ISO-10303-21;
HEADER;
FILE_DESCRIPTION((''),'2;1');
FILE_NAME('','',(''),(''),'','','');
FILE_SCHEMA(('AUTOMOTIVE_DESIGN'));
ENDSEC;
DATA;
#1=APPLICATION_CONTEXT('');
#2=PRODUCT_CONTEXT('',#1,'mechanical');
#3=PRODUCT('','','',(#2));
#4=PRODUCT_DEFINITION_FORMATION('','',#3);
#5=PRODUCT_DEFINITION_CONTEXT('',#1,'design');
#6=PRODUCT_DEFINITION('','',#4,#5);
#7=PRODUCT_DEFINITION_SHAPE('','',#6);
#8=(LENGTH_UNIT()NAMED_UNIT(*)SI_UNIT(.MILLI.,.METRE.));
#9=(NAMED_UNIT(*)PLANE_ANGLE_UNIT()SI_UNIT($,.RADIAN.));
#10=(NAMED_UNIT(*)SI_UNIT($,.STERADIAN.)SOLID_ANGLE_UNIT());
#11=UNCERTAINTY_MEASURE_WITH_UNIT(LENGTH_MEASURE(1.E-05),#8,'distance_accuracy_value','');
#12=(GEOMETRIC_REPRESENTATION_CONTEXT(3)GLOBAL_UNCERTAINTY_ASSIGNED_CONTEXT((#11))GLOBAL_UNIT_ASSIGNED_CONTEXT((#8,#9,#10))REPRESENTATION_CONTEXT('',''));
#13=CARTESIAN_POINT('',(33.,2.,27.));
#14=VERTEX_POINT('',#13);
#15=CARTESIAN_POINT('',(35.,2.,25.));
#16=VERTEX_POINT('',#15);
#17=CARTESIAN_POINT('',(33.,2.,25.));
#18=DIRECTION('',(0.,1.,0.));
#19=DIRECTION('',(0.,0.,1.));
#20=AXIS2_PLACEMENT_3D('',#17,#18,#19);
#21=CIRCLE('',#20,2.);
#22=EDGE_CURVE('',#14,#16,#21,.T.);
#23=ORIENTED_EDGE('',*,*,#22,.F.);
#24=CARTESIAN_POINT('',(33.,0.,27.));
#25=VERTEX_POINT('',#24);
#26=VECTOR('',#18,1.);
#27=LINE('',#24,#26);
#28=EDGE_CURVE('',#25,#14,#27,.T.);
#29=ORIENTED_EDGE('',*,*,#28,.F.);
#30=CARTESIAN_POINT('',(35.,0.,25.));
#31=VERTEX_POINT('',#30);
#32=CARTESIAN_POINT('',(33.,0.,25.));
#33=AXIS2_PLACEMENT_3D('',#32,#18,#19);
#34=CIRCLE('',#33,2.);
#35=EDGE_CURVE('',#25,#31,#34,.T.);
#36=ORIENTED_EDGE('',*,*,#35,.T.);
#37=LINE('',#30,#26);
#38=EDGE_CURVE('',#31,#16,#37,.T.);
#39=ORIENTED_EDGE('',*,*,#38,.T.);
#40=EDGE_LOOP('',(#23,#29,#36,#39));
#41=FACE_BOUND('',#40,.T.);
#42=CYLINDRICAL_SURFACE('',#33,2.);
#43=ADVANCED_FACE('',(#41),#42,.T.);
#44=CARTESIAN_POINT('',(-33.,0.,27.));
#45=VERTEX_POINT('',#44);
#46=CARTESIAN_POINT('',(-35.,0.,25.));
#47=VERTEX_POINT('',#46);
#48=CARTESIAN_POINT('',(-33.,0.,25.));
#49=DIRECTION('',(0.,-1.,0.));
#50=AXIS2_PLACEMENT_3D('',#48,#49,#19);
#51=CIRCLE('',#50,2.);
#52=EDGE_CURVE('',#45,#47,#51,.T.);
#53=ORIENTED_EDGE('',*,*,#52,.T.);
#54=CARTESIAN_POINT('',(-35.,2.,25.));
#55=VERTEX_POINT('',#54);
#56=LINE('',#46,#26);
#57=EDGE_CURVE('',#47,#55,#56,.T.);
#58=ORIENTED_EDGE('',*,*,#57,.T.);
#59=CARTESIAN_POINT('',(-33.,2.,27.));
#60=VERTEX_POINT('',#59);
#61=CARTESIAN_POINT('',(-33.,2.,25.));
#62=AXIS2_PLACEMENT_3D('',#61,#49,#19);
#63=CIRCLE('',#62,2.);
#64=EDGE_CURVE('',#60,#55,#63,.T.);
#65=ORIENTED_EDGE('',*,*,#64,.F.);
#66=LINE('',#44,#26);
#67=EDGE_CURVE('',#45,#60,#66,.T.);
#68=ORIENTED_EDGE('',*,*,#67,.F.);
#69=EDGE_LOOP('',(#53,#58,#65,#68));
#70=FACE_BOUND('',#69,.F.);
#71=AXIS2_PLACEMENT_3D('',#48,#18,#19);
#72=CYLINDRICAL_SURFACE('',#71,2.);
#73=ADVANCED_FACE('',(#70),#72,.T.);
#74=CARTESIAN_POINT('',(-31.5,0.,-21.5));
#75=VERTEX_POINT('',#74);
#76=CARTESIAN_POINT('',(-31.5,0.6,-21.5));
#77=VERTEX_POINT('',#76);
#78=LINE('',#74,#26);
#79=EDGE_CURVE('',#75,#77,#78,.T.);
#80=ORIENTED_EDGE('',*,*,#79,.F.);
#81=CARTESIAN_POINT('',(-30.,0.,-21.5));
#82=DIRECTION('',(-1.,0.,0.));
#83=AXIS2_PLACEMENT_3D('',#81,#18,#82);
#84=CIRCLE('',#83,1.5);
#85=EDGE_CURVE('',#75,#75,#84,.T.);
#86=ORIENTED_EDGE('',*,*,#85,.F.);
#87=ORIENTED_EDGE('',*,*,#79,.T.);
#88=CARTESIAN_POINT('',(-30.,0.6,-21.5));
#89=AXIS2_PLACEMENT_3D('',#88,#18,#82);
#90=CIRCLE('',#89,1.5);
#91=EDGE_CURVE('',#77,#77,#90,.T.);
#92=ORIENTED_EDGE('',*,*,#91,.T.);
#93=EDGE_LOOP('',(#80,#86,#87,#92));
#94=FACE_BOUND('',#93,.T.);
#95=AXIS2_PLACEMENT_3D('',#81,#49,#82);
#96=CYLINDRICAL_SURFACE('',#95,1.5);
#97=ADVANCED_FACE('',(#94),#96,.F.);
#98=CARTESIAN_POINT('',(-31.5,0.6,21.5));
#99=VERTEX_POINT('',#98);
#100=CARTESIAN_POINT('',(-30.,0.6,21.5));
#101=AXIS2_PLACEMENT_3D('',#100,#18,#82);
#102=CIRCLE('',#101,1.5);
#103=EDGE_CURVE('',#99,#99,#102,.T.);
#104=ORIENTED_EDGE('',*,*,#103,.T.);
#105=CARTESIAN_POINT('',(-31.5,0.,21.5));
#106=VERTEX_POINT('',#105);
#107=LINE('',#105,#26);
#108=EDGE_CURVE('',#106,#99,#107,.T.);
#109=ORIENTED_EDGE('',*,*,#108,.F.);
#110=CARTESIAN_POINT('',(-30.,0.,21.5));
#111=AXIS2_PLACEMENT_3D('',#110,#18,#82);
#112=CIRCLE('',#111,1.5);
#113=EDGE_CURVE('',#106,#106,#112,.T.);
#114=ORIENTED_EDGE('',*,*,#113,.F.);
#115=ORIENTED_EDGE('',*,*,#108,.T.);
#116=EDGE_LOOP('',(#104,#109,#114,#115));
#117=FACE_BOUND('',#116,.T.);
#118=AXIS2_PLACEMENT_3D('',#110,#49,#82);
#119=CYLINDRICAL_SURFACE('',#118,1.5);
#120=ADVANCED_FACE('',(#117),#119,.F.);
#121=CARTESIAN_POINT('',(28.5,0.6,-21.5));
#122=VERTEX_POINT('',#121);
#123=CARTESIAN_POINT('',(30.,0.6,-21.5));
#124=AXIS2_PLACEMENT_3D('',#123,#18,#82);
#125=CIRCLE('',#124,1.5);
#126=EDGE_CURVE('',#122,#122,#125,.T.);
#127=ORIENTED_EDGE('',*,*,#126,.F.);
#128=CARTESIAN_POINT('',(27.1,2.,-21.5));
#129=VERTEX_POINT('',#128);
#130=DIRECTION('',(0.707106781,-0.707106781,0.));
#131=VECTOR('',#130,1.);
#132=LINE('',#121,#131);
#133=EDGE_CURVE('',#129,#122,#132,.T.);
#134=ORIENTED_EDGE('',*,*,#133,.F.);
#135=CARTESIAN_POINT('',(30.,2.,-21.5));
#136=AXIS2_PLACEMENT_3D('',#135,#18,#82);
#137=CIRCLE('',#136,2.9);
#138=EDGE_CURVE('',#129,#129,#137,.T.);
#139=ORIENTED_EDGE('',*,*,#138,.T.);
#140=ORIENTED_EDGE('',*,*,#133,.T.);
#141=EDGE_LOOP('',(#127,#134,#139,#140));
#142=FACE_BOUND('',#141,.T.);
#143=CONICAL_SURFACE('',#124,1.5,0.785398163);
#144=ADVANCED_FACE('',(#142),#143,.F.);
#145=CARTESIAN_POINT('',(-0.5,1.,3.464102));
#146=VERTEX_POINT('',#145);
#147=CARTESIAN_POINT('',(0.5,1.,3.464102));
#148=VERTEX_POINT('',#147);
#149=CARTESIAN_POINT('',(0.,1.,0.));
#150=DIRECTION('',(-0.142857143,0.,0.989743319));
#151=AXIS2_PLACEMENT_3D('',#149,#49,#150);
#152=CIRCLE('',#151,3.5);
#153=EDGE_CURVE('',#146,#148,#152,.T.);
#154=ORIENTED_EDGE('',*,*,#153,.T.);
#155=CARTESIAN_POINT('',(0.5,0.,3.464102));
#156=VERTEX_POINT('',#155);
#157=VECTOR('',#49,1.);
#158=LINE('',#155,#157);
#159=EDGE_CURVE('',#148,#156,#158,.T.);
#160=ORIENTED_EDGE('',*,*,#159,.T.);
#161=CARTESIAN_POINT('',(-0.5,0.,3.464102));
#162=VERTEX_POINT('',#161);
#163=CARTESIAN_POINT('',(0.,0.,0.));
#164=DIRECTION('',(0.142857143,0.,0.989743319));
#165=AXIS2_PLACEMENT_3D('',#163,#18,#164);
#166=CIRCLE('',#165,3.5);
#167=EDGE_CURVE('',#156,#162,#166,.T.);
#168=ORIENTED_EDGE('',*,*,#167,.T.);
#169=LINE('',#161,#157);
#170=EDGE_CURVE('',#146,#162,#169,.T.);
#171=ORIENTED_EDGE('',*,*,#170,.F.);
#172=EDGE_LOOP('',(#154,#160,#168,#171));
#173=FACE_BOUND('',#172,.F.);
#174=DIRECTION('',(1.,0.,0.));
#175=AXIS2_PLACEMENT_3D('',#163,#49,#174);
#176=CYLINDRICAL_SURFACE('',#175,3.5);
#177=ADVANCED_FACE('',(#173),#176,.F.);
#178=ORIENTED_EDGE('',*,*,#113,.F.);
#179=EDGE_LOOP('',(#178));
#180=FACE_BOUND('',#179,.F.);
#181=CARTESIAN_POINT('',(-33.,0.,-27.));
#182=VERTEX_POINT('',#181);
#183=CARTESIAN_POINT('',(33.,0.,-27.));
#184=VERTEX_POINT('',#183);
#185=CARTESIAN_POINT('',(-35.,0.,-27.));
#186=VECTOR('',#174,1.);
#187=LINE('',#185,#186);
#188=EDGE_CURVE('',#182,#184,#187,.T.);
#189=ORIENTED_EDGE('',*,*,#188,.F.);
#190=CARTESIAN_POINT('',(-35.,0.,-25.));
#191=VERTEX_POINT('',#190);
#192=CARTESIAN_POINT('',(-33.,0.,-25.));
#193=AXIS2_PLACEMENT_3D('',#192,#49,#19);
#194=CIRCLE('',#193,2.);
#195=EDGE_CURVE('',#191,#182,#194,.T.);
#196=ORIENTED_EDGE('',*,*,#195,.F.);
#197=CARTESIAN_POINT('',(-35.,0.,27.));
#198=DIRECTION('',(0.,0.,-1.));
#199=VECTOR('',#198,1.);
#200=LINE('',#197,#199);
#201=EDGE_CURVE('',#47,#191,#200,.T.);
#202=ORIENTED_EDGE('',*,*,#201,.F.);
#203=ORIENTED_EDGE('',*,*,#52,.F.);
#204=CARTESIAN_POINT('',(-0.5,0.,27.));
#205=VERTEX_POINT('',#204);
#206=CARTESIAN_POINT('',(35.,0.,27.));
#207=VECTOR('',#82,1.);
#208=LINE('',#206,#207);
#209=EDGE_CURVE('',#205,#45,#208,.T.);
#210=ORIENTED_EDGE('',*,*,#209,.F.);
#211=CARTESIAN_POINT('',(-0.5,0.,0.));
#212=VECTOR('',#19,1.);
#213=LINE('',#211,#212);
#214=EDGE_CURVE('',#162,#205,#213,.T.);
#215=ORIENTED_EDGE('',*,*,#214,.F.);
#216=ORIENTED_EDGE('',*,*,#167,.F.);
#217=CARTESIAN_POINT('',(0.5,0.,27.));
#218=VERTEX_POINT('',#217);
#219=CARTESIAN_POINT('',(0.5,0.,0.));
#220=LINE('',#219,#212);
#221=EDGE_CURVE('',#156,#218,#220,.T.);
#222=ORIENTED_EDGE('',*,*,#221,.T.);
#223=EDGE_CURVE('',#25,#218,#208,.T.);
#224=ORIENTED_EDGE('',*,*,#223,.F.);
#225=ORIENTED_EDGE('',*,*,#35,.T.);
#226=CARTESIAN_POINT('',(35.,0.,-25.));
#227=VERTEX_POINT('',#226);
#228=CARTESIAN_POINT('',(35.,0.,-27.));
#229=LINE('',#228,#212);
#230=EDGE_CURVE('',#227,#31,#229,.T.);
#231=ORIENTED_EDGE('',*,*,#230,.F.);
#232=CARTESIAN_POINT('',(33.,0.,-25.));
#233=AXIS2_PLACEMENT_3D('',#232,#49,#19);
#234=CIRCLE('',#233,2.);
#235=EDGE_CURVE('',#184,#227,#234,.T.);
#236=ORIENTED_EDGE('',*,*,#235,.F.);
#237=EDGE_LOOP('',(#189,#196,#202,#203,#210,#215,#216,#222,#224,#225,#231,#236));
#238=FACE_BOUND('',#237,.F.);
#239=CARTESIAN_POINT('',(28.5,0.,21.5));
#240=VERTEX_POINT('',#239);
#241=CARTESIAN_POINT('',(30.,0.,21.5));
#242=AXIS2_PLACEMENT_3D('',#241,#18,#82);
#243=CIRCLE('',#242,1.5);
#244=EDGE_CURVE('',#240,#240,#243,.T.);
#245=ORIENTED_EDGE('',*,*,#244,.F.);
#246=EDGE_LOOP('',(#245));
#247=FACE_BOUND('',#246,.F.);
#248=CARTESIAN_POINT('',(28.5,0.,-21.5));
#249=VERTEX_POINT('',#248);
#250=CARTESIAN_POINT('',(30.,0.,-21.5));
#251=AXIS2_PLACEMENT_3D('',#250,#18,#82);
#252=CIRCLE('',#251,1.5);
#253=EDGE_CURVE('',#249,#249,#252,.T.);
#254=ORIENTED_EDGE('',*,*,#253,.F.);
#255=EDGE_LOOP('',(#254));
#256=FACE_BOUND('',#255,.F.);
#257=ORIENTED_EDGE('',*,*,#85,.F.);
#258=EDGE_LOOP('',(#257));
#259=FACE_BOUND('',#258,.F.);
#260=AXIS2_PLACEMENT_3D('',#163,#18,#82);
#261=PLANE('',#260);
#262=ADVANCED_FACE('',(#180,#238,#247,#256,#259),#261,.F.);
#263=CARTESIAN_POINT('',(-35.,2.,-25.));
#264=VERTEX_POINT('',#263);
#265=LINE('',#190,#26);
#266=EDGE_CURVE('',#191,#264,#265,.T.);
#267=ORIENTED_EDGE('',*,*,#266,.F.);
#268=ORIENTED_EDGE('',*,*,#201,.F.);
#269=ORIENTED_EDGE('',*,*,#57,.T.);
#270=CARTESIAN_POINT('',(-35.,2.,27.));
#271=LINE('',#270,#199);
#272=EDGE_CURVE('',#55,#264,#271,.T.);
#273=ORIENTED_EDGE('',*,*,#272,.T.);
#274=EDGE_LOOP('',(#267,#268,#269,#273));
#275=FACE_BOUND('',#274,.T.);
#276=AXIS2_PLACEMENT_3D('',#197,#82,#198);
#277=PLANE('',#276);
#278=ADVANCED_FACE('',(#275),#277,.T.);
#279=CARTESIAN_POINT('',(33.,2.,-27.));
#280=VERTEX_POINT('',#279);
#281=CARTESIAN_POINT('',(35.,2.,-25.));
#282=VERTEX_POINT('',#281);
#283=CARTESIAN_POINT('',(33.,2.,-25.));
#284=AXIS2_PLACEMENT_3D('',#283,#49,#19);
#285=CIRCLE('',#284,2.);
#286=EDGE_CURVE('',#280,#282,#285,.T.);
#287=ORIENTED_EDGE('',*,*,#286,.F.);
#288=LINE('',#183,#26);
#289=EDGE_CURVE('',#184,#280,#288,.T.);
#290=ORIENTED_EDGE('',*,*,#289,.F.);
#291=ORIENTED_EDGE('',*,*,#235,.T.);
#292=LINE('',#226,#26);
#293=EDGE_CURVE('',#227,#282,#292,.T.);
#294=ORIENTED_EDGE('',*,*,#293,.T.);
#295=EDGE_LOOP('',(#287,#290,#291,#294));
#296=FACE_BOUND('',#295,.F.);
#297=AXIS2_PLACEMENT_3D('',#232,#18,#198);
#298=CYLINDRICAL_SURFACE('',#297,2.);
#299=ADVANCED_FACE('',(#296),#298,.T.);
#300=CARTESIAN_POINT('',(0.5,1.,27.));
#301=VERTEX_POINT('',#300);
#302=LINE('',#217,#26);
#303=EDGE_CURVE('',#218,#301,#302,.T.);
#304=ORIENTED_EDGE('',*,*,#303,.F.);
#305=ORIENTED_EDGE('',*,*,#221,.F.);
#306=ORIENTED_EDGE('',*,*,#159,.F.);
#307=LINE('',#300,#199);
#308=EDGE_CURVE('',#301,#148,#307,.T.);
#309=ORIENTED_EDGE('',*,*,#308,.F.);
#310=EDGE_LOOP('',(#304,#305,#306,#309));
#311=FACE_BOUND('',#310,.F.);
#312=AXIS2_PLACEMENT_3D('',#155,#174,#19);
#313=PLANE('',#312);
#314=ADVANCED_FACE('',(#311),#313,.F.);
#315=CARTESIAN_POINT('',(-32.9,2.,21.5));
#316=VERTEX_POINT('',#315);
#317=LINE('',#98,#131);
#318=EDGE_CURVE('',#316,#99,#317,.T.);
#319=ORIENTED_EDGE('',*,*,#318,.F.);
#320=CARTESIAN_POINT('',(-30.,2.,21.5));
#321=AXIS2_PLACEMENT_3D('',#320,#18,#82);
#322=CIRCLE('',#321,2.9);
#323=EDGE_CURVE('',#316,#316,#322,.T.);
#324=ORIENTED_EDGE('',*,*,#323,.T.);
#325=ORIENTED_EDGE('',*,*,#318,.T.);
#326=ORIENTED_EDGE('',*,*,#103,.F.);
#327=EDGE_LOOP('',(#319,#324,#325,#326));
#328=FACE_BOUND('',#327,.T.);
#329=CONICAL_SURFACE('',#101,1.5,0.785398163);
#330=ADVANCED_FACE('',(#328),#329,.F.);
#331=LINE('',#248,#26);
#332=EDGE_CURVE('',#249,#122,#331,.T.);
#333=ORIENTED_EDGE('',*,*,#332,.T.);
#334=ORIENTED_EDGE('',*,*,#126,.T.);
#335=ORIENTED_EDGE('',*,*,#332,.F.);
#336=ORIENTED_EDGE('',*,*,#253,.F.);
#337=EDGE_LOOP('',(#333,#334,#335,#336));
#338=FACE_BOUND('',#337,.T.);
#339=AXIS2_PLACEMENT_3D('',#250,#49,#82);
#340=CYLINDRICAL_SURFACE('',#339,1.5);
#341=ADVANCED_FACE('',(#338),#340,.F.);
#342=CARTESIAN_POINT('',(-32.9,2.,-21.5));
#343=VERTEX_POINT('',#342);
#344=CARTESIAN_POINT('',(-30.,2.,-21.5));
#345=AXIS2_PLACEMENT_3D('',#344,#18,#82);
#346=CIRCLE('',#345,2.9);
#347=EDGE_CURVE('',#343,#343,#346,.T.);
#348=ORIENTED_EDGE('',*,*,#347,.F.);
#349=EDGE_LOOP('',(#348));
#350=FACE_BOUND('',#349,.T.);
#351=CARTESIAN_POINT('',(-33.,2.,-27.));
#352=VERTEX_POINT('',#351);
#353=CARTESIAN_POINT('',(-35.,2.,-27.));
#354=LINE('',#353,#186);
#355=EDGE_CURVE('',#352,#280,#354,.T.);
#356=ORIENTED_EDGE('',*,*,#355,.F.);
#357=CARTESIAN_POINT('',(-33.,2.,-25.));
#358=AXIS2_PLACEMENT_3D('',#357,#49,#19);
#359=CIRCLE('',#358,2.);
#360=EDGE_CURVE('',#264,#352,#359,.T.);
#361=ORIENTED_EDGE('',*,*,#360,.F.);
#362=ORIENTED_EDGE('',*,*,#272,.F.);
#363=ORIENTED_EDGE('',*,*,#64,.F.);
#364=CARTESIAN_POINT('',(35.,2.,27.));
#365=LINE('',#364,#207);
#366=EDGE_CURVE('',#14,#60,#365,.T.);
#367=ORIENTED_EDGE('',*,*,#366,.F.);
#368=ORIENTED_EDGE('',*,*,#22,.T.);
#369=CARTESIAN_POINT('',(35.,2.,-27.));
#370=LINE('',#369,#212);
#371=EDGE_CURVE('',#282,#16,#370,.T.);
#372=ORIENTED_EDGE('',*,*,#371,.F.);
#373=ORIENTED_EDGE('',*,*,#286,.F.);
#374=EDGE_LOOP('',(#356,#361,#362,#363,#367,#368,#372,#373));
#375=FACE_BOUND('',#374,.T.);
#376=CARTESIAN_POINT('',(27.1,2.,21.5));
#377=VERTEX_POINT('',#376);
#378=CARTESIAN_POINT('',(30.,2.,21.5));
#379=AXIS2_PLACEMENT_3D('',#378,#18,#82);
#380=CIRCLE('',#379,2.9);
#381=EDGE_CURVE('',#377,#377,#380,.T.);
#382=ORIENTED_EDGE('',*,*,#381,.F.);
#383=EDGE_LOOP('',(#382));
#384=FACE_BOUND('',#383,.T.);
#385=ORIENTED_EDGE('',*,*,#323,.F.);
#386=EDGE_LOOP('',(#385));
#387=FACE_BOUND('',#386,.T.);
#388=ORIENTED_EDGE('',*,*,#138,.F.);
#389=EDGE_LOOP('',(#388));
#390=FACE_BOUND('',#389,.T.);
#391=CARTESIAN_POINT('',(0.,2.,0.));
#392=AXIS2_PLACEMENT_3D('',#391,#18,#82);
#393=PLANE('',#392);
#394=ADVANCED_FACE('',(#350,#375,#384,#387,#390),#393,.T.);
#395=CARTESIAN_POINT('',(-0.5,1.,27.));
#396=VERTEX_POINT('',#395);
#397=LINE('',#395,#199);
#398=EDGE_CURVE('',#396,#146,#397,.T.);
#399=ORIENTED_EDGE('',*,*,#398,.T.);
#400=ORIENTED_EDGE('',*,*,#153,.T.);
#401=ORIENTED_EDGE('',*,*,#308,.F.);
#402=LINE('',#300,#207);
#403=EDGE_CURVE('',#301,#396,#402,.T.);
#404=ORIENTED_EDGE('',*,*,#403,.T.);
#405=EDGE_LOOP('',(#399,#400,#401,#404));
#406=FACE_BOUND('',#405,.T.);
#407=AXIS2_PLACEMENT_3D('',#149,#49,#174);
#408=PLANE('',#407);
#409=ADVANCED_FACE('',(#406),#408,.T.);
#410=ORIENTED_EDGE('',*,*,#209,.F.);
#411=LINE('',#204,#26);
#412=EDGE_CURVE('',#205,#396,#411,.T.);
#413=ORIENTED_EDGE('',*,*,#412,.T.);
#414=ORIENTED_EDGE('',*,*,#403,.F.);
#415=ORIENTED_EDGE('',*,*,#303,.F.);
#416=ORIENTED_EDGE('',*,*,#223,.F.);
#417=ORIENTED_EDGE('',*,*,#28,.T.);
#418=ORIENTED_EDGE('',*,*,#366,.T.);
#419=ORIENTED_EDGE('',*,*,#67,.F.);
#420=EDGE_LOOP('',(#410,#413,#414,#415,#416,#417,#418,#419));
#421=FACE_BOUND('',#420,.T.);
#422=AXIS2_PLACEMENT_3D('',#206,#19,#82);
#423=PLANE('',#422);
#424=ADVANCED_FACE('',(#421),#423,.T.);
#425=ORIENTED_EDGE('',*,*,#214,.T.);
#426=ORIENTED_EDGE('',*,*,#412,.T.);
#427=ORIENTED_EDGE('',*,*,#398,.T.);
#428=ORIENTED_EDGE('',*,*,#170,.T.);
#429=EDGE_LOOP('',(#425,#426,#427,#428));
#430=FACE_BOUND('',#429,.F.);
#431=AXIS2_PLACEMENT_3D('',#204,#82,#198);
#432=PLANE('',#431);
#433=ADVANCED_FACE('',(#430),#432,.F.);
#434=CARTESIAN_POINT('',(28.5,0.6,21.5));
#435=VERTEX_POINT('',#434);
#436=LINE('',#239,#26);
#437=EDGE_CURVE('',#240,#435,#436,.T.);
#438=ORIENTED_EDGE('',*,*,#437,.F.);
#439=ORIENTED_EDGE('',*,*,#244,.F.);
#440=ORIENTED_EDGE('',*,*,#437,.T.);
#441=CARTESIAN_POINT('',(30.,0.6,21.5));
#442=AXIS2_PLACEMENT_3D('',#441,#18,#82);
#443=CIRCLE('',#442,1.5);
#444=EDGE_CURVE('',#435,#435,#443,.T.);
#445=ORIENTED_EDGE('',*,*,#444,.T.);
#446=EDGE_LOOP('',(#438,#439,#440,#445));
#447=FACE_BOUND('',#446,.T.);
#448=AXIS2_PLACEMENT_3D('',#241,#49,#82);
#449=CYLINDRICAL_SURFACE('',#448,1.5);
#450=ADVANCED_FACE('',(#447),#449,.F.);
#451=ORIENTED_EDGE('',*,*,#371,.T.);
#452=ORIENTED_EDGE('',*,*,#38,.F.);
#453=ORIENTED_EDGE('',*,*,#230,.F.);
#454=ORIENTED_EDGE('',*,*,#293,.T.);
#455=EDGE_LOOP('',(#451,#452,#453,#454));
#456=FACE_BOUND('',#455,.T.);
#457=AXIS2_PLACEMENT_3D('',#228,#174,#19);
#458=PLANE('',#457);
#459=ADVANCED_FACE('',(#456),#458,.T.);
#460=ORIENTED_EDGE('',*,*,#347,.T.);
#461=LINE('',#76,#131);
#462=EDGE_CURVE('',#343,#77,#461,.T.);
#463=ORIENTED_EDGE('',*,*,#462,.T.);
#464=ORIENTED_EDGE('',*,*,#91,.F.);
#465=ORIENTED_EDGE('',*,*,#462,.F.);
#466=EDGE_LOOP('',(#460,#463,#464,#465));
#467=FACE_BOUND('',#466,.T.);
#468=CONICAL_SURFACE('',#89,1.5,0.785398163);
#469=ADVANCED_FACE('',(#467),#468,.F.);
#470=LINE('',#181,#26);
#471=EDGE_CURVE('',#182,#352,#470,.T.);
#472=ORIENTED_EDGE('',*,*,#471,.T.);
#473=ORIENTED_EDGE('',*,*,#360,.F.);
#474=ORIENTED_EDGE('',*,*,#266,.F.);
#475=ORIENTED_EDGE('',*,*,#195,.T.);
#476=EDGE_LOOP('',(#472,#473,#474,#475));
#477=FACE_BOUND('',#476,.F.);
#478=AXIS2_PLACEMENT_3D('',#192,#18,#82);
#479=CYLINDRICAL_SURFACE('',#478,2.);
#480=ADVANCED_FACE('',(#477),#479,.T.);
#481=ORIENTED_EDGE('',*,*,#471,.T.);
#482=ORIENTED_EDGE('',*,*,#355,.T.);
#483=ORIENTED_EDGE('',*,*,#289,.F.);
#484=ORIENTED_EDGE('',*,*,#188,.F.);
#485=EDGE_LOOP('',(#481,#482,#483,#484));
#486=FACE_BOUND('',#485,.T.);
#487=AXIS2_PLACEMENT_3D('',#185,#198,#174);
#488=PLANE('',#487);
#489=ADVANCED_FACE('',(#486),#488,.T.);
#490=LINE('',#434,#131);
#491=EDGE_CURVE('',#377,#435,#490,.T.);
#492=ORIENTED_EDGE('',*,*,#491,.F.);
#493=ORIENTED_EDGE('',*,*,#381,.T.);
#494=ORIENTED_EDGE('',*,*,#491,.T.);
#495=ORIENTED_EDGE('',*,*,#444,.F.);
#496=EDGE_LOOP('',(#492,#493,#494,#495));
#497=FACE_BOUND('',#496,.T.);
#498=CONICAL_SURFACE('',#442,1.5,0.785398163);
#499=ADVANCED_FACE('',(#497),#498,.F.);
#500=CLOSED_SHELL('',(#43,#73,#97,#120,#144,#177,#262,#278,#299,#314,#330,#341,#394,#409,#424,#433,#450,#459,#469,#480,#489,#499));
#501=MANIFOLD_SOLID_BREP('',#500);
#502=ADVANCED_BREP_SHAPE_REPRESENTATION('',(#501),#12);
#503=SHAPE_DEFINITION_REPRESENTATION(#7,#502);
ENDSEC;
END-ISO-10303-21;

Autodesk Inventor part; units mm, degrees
ref_plane "YZ Plane" through (0, 0, 0) normal (1, 0, 0) x (0, 1, 0)
ref_plane "XZ Plane" through (0, 0, 0) normal (0, 1, 0) x (-1, 0, 0)
ref_plane "XY Plane" through (0, 0, 0) normal (0, 0, 1) x (1, 0, 0)
sketch "Sketch1" plane through (0, 0, 0) normal (0, 1, 0) x (-1, 0, 0)
  line L0 (-35, 27) -> (35, 27)
  line L1 (35, 27) -> (35, -27)
  line L2 (35, -27) -> (-35, -27)
  line L3 (-35, -27) -> (-35, 27)
  line L4 (-35, 27) -> (35, -27) construction
  line L5 (35, 27) -> (-35, -27) construction
  line L6 (30, 21.5) -> (-30, 21.5) construction
  line L7 (-30, 21.5) -> (-30, -21.5) construction
  line L8 (-30, -21.5) -> (30, -21.5) construction
  line L9 (30, -21.5) -> (30, 21.5) construction
  line L10 (30, 21.5) -> (-30, -21.5) construction
  line L11 (-30, 21.5) -> (30, -21.5) construction
  circle A0 centre (30, 21.5) radius 1.5
  circle A1 centre (30, -21.5) radius 1.5
  circle A2 centre (-30, -21.5) radius 1.5
  circle A3 centre (-30, 21.5) radius 1.5
  point P0 (0, 0)
  dimension "d0" = 70
  dimension "d1" = 54
  dimension "d2" = 43
  dimension "d3" = 60
  dimension "d4" = 3
  dimension "d5" = 3
  dimension "d6" = 3
  dimension "d7" = 3
extrude "Extrusion1" add sketch "Sketch1" along normal blind 2
fillet "Fillet1" radius 2 4 edges at (35, 1, 27) (35, 1, -27) (-35, 1, 27) (-35, 1, -27)
sketch "Sketch2" plane through (0, 0, 0) normal (0, -1, 0) x (1, 0, 0)
  circle A0 centre (0, 0) radius 3.5
  dimension "d11" = 7
extrude "Extrusion2" cut sketch "Sketch2" against normal blind 1
sketch "Sketch3" plane through (0, 0, 0) normal (0, -1, 0) x (1, 0, 0)
  line L0 (-33, 27) -> (33, 27) projected
  circle A0 centre (0, 0) radius 3.5 projected
  line L1 (0, 27) -> (0, 0)
  line L2 (0.5, 27) -> (-0.5, 27)
  line L3 (-0.5, 27) -> (-0.5, 0)
  line L4 (-0.5, 0) -> (0.5, 0)
  line L5 (0.5, 0) -> (0.5, 27)
  point P0 (-0.5, 27)
  dimension "d14" = 0.5
  dimension "d15" = 0.5
extrude "Extrusion3" cut sketch "Sketch3" against normal blind 1 contours L0 L1 A0 L3 | L0 L5 A0 L1 | A0 L1 L4 L3 | A0 L5 L4 L1
chamfer "Chamfer1" distance 1.4 angle 45 4 edges at (-28.5, 2, -21.5) (-28.5, 2, 21.5) (31.5, 2, 21.5) (31.5, 2, -21.5)
properties part number "Bed"
